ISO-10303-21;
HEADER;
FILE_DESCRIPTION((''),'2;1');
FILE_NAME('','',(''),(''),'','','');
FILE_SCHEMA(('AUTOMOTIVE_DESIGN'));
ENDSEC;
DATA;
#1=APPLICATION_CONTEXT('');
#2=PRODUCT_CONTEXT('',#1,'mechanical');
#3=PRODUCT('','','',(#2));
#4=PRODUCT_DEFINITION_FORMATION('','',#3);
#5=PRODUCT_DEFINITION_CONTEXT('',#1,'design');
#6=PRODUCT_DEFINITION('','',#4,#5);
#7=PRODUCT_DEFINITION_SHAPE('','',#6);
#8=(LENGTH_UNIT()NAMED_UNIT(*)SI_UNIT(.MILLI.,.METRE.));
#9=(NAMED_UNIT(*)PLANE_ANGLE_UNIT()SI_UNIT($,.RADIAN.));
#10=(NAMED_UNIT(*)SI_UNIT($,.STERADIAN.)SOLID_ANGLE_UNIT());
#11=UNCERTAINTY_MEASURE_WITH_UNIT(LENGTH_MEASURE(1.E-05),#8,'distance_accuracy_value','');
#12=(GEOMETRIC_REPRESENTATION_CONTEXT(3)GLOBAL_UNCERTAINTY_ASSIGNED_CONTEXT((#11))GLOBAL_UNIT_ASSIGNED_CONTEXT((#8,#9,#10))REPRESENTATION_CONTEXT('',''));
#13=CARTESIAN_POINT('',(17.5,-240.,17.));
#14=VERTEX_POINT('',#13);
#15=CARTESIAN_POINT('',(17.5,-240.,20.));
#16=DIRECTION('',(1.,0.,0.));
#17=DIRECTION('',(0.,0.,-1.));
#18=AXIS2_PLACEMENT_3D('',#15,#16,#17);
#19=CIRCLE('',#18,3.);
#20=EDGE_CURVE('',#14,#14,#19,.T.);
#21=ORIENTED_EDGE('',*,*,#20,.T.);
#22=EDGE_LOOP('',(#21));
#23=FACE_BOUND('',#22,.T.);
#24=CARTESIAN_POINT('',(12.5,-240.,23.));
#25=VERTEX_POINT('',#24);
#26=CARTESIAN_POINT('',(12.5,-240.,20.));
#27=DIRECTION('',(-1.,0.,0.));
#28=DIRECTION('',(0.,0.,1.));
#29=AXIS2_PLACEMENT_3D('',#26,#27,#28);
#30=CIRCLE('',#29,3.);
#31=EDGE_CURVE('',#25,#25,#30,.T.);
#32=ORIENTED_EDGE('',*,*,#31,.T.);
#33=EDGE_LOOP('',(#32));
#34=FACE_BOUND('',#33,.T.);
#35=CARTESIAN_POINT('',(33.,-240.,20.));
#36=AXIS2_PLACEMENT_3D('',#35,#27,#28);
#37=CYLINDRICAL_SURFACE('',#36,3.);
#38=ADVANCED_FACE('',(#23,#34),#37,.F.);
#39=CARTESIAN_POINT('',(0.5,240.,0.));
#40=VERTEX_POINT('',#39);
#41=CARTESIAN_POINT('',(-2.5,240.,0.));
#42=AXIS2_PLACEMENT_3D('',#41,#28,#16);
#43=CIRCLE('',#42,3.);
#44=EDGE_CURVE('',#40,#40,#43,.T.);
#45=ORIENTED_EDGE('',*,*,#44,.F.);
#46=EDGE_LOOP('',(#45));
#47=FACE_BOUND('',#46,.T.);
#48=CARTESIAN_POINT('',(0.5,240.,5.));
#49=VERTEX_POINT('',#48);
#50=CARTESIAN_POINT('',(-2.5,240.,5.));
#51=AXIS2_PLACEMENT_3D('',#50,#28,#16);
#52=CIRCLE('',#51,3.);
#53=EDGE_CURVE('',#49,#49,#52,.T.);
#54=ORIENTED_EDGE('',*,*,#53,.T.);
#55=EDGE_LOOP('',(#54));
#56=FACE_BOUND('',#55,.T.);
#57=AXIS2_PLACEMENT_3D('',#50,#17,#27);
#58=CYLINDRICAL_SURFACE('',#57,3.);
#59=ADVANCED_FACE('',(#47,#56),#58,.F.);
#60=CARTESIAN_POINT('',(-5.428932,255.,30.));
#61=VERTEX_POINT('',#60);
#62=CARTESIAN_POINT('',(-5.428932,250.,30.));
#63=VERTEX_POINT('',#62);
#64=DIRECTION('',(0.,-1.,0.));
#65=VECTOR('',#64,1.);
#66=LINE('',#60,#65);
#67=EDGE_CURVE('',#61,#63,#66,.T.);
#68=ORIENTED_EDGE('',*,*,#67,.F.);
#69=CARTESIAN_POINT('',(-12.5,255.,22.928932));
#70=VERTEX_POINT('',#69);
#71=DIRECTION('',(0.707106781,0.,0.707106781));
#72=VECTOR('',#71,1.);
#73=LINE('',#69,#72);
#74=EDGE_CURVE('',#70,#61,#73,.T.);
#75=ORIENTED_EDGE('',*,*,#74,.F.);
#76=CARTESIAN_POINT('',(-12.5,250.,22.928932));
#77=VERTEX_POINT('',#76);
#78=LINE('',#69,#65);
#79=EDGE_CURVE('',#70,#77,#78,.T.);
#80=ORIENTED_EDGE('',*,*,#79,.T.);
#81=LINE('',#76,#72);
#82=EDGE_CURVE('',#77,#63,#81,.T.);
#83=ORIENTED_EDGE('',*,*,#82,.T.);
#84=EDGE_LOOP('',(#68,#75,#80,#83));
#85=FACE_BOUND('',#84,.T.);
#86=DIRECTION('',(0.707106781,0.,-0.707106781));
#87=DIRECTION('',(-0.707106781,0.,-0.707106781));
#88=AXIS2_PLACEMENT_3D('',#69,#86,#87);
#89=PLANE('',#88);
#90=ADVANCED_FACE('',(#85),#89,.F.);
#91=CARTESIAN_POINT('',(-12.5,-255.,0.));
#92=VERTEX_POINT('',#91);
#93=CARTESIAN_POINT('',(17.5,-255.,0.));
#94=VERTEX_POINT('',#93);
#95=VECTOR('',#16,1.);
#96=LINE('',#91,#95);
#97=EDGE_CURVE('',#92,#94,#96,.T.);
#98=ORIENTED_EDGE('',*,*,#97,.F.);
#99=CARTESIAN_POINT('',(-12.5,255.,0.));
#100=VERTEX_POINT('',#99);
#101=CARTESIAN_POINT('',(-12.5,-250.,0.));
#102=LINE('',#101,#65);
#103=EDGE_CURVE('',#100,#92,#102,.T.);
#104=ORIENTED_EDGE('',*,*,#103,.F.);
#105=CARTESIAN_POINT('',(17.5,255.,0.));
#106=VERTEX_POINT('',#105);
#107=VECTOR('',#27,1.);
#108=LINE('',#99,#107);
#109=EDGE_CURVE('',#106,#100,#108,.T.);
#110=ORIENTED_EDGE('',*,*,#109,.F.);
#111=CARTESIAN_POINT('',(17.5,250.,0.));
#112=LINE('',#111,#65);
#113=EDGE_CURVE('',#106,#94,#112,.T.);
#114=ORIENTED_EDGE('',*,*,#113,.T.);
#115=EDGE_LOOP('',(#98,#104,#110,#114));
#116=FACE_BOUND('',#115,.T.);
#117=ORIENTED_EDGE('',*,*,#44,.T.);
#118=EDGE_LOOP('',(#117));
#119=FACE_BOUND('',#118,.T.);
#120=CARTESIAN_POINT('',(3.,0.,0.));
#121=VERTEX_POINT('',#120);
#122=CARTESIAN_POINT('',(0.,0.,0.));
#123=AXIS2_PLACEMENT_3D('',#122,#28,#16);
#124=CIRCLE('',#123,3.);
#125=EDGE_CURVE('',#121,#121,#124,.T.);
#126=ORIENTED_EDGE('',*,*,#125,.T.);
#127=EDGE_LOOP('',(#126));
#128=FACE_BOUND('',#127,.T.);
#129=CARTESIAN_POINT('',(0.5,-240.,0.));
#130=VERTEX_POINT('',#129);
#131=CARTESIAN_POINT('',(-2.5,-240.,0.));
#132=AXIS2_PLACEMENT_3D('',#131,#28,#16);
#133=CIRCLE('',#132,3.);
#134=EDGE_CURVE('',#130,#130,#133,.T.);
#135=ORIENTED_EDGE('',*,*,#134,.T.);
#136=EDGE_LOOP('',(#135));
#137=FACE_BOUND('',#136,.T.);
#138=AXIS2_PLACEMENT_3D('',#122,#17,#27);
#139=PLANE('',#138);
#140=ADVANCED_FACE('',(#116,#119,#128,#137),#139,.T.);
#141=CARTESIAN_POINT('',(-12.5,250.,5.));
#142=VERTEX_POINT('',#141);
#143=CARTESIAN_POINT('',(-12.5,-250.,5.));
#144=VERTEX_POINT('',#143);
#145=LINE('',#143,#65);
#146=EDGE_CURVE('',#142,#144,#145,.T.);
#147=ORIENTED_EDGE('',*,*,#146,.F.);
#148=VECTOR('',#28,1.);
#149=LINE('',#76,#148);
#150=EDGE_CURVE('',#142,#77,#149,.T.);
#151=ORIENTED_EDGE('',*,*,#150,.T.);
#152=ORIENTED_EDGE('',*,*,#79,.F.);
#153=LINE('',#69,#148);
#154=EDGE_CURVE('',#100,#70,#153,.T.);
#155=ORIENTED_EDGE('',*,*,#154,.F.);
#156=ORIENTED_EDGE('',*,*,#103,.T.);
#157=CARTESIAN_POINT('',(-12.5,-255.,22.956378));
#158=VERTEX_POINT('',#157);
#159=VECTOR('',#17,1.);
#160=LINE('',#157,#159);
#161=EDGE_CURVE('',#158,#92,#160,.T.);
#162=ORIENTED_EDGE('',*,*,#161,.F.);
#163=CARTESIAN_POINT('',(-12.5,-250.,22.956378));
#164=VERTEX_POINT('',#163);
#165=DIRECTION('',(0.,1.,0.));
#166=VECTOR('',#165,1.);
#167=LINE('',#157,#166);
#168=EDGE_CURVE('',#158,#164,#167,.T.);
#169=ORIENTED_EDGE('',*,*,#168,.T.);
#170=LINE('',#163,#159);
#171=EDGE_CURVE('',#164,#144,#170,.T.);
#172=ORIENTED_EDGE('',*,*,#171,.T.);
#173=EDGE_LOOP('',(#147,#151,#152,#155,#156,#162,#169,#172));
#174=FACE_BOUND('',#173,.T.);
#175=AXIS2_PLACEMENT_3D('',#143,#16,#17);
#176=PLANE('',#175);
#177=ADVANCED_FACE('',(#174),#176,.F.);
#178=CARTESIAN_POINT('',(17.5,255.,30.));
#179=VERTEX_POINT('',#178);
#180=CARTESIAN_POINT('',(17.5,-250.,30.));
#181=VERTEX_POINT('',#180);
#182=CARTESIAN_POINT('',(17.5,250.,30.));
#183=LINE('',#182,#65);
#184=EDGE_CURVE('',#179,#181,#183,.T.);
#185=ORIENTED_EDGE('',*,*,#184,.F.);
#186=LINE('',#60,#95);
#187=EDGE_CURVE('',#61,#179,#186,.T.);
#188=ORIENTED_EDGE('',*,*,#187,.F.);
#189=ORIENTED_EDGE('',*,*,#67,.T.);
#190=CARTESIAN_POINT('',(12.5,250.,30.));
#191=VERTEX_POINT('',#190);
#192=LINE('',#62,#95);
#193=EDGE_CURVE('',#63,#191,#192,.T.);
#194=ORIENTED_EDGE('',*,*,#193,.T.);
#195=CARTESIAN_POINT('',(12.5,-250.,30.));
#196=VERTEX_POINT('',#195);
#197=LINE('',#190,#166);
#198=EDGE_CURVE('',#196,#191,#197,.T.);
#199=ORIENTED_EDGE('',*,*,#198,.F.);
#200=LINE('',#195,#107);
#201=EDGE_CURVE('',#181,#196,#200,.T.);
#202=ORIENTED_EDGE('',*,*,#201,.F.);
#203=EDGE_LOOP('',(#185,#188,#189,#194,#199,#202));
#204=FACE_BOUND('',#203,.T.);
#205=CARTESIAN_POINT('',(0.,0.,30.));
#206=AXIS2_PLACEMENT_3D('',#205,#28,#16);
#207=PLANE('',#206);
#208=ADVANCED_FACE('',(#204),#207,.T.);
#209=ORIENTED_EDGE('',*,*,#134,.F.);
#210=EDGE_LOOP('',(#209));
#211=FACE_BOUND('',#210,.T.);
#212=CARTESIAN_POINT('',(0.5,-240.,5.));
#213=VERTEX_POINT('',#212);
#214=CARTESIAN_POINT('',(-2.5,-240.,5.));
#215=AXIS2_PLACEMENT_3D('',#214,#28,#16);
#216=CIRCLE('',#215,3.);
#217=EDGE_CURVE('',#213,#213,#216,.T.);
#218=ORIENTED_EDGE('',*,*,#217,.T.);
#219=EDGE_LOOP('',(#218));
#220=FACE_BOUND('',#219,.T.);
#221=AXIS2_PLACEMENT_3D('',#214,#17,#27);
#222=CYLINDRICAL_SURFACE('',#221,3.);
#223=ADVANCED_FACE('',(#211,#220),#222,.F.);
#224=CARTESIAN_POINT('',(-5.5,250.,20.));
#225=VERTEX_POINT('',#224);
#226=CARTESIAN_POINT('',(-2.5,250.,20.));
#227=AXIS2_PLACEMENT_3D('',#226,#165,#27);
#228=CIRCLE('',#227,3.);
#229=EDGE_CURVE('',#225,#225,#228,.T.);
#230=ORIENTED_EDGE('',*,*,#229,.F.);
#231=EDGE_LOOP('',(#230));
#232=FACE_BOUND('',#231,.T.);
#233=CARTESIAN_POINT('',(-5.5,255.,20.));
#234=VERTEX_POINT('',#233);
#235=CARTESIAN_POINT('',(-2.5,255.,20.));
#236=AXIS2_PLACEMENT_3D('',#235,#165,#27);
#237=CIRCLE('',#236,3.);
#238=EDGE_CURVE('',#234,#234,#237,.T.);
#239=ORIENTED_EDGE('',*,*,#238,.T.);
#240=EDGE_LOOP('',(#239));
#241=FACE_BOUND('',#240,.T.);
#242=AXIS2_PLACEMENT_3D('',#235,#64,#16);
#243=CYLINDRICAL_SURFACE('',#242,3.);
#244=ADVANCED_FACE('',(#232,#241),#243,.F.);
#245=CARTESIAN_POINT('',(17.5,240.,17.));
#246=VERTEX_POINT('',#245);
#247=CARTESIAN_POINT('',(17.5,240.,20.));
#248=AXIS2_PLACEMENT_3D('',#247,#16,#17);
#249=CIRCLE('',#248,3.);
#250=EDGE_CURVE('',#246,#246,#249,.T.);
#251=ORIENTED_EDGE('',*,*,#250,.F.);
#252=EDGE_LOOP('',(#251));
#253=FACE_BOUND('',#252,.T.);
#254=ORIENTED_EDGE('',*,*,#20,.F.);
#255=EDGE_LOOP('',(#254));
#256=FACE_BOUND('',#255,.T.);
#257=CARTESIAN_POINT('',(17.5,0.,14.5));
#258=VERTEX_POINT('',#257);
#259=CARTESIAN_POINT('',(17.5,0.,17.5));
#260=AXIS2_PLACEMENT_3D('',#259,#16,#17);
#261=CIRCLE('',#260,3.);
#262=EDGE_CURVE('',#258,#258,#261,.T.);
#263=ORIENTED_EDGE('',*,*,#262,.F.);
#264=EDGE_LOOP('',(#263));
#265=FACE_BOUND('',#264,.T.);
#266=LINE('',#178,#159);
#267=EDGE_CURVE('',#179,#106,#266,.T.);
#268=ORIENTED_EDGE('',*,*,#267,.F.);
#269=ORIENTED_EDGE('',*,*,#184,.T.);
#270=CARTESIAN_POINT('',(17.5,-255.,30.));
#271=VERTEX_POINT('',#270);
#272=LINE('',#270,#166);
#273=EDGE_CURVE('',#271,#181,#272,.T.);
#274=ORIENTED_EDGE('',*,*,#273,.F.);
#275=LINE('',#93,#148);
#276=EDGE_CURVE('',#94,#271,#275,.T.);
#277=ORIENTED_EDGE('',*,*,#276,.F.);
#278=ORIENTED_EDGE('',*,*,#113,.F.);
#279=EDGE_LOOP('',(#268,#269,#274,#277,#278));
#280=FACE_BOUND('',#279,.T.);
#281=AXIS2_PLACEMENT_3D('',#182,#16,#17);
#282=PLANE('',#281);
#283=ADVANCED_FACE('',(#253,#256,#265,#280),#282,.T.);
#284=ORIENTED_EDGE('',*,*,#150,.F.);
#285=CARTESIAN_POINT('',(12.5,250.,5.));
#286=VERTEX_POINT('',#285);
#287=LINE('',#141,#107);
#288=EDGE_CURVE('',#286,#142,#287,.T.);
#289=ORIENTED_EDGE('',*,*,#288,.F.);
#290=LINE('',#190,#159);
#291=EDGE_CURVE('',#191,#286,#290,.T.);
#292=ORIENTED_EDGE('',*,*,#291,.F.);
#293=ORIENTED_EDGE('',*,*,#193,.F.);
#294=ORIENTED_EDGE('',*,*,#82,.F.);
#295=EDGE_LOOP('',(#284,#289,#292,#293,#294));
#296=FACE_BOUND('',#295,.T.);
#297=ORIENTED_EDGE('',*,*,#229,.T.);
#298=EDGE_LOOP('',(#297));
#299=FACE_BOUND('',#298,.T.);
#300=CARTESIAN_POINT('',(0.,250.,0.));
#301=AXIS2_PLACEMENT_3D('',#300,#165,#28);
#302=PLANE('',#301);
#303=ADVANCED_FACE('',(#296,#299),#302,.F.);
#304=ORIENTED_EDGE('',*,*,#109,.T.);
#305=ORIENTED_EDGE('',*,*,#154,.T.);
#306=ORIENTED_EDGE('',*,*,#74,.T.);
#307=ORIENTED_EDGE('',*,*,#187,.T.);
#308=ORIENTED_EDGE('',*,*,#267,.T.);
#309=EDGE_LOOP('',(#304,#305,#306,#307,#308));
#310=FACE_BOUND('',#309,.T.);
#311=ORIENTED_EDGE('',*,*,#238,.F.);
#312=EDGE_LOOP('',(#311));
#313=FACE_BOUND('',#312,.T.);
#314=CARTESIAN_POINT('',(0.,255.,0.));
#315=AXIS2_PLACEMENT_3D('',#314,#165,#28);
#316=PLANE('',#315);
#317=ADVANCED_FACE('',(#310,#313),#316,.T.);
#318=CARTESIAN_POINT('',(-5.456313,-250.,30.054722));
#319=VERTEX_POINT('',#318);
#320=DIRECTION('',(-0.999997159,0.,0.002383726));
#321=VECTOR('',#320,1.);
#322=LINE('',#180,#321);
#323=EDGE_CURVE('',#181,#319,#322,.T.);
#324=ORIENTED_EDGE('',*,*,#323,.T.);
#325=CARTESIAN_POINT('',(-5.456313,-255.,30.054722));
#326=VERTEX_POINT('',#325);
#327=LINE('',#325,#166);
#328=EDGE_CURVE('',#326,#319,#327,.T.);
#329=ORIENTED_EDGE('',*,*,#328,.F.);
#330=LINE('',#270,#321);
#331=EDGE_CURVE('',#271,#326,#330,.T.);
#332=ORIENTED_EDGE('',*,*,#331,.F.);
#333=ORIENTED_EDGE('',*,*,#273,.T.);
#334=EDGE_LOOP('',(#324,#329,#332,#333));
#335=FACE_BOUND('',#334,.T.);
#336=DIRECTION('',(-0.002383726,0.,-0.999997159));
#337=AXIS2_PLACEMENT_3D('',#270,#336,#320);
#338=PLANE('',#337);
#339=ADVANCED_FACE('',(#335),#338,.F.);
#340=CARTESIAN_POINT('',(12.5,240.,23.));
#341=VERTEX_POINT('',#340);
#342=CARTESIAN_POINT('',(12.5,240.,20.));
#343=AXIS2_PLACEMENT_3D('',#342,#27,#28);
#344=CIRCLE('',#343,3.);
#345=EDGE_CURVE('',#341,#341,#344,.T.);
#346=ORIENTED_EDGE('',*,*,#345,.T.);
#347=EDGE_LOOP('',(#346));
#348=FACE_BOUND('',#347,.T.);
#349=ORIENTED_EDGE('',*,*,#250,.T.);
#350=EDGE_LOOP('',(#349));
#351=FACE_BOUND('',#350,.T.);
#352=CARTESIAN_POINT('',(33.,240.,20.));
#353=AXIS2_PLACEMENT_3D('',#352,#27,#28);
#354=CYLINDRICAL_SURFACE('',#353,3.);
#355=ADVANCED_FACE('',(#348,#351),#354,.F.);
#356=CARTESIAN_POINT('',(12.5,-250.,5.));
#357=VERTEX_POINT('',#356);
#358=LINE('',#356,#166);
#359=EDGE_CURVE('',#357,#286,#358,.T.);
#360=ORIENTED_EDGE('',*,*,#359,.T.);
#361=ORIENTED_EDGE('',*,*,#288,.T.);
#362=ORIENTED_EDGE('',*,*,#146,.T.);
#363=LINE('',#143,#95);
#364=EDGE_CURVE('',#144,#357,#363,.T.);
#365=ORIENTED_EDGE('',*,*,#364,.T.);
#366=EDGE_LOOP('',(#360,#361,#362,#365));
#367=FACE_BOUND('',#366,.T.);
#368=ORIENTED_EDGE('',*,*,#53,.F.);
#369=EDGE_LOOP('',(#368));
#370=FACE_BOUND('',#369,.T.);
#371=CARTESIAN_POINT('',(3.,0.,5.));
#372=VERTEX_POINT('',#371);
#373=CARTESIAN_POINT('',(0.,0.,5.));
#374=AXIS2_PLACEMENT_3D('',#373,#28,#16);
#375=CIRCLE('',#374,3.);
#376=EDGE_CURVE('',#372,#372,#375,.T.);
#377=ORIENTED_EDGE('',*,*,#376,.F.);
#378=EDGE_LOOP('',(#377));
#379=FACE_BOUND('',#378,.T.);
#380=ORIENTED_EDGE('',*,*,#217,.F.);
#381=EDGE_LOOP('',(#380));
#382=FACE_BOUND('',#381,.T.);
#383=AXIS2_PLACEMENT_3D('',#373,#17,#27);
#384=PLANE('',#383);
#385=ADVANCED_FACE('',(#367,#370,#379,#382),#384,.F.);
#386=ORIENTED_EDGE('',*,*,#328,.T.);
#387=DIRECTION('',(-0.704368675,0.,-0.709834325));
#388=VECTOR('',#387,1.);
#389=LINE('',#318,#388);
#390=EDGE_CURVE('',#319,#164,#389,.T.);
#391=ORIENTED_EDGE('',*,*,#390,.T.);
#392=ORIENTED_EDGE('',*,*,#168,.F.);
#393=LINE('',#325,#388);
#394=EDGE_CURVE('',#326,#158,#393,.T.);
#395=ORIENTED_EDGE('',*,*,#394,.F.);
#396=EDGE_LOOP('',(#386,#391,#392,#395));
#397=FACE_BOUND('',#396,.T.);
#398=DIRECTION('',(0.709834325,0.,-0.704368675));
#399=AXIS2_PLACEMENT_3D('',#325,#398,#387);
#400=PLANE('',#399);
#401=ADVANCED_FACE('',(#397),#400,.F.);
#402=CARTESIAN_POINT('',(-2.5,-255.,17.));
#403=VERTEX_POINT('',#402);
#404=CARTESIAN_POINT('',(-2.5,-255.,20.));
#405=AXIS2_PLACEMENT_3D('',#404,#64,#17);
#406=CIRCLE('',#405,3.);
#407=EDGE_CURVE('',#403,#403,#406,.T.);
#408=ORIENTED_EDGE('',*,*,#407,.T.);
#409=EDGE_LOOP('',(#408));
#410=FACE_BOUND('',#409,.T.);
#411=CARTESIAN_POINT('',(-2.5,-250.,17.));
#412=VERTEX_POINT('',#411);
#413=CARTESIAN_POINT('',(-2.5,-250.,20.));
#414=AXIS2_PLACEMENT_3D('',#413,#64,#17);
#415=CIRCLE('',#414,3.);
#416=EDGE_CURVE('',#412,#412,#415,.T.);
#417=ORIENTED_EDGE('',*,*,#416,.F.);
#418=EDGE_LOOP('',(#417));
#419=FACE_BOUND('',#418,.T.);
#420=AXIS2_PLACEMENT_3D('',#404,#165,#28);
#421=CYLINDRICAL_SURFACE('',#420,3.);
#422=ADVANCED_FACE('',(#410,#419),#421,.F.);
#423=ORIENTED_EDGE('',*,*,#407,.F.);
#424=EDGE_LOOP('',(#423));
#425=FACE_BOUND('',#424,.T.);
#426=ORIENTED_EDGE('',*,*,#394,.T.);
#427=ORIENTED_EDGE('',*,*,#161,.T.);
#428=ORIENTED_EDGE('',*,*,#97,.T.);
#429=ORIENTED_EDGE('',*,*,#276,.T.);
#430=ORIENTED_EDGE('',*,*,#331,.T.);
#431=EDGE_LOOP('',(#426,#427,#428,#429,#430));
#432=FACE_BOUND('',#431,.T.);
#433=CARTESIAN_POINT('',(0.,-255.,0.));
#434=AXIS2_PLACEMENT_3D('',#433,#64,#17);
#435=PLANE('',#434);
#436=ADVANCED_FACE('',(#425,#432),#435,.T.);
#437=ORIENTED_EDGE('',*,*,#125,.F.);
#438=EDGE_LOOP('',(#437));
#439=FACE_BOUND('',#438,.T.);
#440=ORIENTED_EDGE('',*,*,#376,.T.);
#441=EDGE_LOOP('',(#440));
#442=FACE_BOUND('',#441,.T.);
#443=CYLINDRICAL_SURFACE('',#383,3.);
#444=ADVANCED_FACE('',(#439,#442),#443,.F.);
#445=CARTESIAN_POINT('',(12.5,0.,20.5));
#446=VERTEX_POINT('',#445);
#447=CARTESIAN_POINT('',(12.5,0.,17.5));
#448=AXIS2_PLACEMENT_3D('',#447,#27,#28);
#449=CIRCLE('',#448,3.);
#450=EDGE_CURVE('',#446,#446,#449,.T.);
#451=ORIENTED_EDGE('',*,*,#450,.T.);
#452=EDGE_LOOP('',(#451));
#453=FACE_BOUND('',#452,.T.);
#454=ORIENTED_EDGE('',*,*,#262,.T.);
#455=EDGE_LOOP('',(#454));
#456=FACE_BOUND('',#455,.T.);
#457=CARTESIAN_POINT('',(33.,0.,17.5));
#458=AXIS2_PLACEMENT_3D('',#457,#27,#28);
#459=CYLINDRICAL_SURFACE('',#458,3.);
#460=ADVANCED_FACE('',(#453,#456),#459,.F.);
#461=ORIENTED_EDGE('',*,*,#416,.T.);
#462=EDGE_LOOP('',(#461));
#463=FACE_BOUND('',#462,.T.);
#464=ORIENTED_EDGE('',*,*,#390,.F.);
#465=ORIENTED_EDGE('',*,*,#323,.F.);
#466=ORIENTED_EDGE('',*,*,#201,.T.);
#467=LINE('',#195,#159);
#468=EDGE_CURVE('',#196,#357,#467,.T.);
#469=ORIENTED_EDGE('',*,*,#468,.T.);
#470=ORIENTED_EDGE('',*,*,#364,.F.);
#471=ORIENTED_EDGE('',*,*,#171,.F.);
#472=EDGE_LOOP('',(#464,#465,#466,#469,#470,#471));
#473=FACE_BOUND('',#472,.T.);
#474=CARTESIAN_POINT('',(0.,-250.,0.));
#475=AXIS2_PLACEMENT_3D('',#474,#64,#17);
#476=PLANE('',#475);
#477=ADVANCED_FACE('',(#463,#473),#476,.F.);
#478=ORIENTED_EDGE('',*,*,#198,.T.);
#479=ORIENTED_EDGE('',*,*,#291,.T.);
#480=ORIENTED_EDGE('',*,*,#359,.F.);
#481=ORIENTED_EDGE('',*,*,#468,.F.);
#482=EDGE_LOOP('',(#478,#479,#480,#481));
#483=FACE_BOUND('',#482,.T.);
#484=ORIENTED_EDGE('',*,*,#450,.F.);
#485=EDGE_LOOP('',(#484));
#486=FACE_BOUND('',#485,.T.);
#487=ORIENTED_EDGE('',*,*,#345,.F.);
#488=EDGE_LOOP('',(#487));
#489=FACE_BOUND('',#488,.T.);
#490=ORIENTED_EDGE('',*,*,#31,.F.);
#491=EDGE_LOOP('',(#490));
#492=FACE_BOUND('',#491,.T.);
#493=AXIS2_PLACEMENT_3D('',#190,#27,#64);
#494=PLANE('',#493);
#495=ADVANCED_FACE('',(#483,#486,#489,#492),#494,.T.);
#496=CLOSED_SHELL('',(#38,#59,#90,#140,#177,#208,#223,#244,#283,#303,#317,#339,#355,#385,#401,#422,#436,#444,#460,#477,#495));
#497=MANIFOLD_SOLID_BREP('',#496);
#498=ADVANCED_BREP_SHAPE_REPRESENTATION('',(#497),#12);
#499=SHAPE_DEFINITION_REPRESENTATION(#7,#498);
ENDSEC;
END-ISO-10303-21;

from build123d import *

# Parameters (mm, degrees)
SKETCH1_W           = 25
SKETCH1_H           = 500
SKETCH1_R           = 3
BOSS_EXTRUDE1_DEPTH = 5
SKETCH2_W           = 5
SKETCH2_H           = 500
BOSS_EXTRUDE2_DEPTH = 30
SKETCH3_R           = 3
CUT_EXTRUDE1_DEPTH  = 20.5
SKETCH4_R           = 3
BOSS_EXTRUDE3_DEPTH = 5
SKETCH5_R           = 3
BOSS_EXTRUDE4_DEPTH = 5


with BuildPart() as part:
    # Sketch1 → Boss-Extrude1 (new body)
    with BuildSketch(Plane.XY):
        Rectangle(SKETCH1_W, SKETCH1_H)
        with Locations((-2.5, 240)):
            Circle(SKETCH1_R, mode=Mode.SUBTRACT)
        with Locations((-2.5, -240)):
            Circle(SKETCH1_R, mode=Mode.SUBTRACT)
        Circle(SKETCH1_R, mode=Mode.SUBTRACT)
    extrude(amount=BOSS_EXTRUDE1_DEPTH)

    # Sketch2 → Boss-Extrude2 (add)
    with BuildSketch(Plane(origin=(0, 0, 0), x_dir=(-1, 0, 0), z_dir=(0, 0, -1))):
        with Locations((-15, 0)):
            Rectangle(SKETCH2_W, SKETCH2_H)
    extrude(amount=-BOSS_EXTRUDE2_DEPTH)

    # Sketch3 → Cut-Extrude1 (cut)
    with BuildSketch(Plane.ZY.offset(-12.5)):
        with Locations((20, -240)):
            Circle(SKETCH3_R)
        with Locations((17.5, 0)):
            Circle(SKETCH3_R)
        with Locations((20, 240)):
            Circle(SKETCH3_R)
    extrude(amount=-CUT_EXTRUDE1_DEPTH, mode=Mode.SUBTRACT)

    # Sketch4 → Boss-Extrude3 (add)
    with BuildSketch(Plane(origin=(0, 250, 0), x_dir=(1, 0, 0), z_dir=(0, 1, 0))):
        Polygon((-12.5, 0), (17.5, 0), (17.5, -30), (-5.428932188, -30), (-12.5, -22.928932188), align=None)
        with Locations((-2.5, -20)):
            Circle(SKETCH4_R, mode=Mode.SUBTRACT)
    extrude(amount=BOSS_EXTRUDE3_DEPTH)

    # Sketch5 → Boss-Extrude4 (add)
    with BuildSketch(Plane(origin=(0, -250, 0), x_dir=(-1, 0, 0), z_dir=(0, -1, 0))):
        Polygon((12.5, 0), (-17.5, 0), (-17.5, -30), (5.456313249, -30.054721724), (12.5, -22.95637847), align=None)
        with Locations((2.5, -20)):
            Circle(SKETCH5_R, mode=Mode.SUBTRACT)
    extrude(amount=BOSS_EXTRUDE4_DEPTH)


solid = part.part
